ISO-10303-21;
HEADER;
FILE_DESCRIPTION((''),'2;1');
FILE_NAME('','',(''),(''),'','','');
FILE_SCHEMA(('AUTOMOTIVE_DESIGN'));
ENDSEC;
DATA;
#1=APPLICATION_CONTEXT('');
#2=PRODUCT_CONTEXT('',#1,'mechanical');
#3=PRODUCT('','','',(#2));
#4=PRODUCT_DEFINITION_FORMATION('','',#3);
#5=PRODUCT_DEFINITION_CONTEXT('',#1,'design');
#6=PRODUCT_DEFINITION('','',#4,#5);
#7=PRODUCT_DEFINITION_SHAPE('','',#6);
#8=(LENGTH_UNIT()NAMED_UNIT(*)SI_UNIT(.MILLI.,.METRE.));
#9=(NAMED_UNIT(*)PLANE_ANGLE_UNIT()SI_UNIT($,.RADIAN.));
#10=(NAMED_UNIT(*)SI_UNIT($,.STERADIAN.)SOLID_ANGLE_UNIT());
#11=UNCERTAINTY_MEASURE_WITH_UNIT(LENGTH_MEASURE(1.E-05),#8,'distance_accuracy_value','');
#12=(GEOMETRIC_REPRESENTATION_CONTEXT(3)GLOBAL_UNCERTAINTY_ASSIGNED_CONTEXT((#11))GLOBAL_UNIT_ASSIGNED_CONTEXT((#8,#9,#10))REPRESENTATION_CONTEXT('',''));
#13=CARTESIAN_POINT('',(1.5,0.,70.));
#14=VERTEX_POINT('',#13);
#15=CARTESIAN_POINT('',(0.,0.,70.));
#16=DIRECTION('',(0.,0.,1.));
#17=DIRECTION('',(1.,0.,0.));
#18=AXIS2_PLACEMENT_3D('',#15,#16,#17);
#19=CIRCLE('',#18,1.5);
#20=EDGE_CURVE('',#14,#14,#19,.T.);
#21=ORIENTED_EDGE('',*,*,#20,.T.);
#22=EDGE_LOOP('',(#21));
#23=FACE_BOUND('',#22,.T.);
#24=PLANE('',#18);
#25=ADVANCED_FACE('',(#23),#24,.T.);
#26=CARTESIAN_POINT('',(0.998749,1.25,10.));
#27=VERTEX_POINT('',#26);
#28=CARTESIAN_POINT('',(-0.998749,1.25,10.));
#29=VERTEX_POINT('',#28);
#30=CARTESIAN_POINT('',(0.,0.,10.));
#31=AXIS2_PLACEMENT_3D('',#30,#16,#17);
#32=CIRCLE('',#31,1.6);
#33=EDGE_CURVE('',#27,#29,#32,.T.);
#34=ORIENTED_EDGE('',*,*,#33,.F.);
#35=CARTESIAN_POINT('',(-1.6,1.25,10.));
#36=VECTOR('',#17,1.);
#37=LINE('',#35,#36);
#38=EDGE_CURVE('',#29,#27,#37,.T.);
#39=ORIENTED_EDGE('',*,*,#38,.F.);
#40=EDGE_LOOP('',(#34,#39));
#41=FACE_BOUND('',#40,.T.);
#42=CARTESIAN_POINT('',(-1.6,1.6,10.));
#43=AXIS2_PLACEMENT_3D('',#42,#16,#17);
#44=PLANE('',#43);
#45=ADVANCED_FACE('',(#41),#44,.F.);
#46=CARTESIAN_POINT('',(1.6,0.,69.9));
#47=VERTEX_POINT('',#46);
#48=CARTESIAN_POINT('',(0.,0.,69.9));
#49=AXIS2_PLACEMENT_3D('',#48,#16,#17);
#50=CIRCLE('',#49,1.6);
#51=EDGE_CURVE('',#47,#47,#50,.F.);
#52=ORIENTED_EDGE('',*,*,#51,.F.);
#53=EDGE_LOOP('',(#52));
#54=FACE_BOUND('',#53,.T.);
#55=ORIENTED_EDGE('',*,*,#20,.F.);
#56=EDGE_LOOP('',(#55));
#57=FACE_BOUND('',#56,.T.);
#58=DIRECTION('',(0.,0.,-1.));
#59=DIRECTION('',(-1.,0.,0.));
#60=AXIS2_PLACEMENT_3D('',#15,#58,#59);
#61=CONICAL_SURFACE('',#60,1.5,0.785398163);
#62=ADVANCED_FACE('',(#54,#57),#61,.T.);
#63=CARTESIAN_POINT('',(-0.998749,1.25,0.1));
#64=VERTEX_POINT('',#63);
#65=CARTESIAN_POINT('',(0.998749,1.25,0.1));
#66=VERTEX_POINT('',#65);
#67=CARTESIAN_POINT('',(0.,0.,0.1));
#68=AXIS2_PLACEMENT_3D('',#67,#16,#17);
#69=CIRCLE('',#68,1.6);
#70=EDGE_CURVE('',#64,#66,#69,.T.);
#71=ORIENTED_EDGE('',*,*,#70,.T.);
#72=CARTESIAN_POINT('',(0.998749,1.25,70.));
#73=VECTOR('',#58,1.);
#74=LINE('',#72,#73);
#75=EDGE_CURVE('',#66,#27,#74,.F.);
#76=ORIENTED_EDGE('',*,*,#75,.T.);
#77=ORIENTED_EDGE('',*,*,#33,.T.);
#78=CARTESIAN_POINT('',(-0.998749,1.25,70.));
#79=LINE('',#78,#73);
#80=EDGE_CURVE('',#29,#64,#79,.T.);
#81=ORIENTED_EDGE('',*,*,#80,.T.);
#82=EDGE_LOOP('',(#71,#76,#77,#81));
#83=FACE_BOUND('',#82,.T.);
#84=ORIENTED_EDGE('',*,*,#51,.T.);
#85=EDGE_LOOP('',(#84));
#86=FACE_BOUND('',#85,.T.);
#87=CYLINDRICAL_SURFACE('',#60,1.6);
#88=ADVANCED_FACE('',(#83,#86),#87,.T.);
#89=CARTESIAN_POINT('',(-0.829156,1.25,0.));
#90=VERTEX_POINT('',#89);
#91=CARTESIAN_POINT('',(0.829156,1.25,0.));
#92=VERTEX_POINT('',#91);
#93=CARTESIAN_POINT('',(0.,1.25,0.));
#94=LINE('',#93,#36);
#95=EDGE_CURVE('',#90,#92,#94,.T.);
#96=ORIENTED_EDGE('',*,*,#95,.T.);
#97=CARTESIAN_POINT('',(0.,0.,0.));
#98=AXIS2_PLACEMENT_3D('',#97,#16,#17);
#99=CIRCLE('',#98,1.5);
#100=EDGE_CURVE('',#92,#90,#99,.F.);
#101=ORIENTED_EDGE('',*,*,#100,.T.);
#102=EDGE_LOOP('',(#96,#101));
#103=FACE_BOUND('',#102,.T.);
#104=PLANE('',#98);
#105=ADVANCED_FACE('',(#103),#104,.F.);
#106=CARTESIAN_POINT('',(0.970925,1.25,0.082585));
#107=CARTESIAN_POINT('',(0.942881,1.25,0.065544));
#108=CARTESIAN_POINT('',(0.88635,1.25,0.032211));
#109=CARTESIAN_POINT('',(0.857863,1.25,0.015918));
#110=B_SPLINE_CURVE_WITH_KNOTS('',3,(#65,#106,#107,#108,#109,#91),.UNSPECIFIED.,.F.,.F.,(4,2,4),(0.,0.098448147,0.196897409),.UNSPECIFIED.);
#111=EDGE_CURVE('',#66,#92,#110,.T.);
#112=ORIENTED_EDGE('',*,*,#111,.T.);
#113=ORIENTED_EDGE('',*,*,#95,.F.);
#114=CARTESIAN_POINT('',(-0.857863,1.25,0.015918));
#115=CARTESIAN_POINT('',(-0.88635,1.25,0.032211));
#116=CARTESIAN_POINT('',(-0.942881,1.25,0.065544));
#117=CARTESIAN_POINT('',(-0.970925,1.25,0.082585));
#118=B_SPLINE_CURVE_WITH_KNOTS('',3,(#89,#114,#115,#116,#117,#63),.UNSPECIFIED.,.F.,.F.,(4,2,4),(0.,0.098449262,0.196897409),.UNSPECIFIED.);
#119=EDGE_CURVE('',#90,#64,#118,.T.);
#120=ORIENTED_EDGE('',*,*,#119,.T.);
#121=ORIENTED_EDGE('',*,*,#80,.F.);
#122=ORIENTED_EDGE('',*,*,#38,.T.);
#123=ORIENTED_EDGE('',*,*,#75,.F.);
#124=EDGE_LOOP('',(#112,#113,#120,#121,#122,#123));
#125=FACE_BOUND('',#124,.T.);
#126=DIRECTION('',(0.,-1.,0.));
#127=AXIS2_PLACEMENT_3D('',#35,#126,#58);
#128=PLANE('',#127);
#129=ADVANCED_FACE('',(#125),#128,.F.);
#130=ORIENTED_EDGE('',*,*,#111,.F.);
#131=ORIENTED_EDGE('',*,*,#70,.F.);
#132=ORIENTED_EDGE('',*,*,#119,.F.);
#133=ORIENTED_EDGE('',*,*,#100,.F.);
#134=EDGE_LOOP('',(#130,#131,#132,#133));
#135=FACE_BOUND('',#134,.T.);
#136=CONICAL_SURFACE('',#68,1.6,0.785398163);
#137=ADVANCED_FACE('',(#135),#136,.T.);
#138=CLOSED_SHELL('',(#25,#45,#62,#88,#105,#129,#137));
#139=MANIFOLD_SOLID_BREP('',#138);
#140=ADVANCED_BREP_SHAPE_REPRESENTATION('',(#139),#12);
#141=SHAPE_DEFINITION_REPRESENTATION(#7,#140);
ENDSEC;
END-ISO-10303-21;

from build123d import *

# Parameters (mm, degrees)
SKETCH1_R               = 1.6
BOSS_EXTRUDE1_DEPTH     = 70
SKETCH2_W               = 10
SKETCH2_H               = 0.35
CUT_EXTRUDE1_DEPTH      = 2.6
CUT_EXTRUDE1_DEPTH_BACK = 2.6
CHAMFER1_SIZE           = 0.1


with BuildPart() as part:
    # Sketch1 → Boss-Extrude1 (new body)
    with BuildSketch(Plane.XY):
        Circle(SKETCH1_R)
    extrude(amount=BOSS_EXTRUDE1_DEPTH)

    # Sketch2 → Cut-Extrude1 (cut, two sides)
    with BuildSketch(Plane(origin=(0, 0, 0), x_dir=(0, 0, -1), z_dir=(1, 0, 0))) as cut_extrude1_sk:
        with Locations((-5, 1.425)):
            Rectangle(SKETCH2_W, SKETCH2_H)
    extrude(amount=CUT_EXTRUDE1_DEPTH, mode=Mode.SUBTRACT)
    extrude(cut_extrude1_sk.sketch, amount=-CUT_EXTRUDE1_DEPTH_BACK, mode=Mode.SUBTRACT)

    # Chamfer1
    chamfer1_edges = [part.edges().sort_by_distance(p)[0] for p in [
        (-1.6, 0, 70),
        (-0.693542087, -1.441873564, 0),
    ]]
    chamfer(chamfer1_edges, length=CHAMFER1_SIZE)


solid = part.part
